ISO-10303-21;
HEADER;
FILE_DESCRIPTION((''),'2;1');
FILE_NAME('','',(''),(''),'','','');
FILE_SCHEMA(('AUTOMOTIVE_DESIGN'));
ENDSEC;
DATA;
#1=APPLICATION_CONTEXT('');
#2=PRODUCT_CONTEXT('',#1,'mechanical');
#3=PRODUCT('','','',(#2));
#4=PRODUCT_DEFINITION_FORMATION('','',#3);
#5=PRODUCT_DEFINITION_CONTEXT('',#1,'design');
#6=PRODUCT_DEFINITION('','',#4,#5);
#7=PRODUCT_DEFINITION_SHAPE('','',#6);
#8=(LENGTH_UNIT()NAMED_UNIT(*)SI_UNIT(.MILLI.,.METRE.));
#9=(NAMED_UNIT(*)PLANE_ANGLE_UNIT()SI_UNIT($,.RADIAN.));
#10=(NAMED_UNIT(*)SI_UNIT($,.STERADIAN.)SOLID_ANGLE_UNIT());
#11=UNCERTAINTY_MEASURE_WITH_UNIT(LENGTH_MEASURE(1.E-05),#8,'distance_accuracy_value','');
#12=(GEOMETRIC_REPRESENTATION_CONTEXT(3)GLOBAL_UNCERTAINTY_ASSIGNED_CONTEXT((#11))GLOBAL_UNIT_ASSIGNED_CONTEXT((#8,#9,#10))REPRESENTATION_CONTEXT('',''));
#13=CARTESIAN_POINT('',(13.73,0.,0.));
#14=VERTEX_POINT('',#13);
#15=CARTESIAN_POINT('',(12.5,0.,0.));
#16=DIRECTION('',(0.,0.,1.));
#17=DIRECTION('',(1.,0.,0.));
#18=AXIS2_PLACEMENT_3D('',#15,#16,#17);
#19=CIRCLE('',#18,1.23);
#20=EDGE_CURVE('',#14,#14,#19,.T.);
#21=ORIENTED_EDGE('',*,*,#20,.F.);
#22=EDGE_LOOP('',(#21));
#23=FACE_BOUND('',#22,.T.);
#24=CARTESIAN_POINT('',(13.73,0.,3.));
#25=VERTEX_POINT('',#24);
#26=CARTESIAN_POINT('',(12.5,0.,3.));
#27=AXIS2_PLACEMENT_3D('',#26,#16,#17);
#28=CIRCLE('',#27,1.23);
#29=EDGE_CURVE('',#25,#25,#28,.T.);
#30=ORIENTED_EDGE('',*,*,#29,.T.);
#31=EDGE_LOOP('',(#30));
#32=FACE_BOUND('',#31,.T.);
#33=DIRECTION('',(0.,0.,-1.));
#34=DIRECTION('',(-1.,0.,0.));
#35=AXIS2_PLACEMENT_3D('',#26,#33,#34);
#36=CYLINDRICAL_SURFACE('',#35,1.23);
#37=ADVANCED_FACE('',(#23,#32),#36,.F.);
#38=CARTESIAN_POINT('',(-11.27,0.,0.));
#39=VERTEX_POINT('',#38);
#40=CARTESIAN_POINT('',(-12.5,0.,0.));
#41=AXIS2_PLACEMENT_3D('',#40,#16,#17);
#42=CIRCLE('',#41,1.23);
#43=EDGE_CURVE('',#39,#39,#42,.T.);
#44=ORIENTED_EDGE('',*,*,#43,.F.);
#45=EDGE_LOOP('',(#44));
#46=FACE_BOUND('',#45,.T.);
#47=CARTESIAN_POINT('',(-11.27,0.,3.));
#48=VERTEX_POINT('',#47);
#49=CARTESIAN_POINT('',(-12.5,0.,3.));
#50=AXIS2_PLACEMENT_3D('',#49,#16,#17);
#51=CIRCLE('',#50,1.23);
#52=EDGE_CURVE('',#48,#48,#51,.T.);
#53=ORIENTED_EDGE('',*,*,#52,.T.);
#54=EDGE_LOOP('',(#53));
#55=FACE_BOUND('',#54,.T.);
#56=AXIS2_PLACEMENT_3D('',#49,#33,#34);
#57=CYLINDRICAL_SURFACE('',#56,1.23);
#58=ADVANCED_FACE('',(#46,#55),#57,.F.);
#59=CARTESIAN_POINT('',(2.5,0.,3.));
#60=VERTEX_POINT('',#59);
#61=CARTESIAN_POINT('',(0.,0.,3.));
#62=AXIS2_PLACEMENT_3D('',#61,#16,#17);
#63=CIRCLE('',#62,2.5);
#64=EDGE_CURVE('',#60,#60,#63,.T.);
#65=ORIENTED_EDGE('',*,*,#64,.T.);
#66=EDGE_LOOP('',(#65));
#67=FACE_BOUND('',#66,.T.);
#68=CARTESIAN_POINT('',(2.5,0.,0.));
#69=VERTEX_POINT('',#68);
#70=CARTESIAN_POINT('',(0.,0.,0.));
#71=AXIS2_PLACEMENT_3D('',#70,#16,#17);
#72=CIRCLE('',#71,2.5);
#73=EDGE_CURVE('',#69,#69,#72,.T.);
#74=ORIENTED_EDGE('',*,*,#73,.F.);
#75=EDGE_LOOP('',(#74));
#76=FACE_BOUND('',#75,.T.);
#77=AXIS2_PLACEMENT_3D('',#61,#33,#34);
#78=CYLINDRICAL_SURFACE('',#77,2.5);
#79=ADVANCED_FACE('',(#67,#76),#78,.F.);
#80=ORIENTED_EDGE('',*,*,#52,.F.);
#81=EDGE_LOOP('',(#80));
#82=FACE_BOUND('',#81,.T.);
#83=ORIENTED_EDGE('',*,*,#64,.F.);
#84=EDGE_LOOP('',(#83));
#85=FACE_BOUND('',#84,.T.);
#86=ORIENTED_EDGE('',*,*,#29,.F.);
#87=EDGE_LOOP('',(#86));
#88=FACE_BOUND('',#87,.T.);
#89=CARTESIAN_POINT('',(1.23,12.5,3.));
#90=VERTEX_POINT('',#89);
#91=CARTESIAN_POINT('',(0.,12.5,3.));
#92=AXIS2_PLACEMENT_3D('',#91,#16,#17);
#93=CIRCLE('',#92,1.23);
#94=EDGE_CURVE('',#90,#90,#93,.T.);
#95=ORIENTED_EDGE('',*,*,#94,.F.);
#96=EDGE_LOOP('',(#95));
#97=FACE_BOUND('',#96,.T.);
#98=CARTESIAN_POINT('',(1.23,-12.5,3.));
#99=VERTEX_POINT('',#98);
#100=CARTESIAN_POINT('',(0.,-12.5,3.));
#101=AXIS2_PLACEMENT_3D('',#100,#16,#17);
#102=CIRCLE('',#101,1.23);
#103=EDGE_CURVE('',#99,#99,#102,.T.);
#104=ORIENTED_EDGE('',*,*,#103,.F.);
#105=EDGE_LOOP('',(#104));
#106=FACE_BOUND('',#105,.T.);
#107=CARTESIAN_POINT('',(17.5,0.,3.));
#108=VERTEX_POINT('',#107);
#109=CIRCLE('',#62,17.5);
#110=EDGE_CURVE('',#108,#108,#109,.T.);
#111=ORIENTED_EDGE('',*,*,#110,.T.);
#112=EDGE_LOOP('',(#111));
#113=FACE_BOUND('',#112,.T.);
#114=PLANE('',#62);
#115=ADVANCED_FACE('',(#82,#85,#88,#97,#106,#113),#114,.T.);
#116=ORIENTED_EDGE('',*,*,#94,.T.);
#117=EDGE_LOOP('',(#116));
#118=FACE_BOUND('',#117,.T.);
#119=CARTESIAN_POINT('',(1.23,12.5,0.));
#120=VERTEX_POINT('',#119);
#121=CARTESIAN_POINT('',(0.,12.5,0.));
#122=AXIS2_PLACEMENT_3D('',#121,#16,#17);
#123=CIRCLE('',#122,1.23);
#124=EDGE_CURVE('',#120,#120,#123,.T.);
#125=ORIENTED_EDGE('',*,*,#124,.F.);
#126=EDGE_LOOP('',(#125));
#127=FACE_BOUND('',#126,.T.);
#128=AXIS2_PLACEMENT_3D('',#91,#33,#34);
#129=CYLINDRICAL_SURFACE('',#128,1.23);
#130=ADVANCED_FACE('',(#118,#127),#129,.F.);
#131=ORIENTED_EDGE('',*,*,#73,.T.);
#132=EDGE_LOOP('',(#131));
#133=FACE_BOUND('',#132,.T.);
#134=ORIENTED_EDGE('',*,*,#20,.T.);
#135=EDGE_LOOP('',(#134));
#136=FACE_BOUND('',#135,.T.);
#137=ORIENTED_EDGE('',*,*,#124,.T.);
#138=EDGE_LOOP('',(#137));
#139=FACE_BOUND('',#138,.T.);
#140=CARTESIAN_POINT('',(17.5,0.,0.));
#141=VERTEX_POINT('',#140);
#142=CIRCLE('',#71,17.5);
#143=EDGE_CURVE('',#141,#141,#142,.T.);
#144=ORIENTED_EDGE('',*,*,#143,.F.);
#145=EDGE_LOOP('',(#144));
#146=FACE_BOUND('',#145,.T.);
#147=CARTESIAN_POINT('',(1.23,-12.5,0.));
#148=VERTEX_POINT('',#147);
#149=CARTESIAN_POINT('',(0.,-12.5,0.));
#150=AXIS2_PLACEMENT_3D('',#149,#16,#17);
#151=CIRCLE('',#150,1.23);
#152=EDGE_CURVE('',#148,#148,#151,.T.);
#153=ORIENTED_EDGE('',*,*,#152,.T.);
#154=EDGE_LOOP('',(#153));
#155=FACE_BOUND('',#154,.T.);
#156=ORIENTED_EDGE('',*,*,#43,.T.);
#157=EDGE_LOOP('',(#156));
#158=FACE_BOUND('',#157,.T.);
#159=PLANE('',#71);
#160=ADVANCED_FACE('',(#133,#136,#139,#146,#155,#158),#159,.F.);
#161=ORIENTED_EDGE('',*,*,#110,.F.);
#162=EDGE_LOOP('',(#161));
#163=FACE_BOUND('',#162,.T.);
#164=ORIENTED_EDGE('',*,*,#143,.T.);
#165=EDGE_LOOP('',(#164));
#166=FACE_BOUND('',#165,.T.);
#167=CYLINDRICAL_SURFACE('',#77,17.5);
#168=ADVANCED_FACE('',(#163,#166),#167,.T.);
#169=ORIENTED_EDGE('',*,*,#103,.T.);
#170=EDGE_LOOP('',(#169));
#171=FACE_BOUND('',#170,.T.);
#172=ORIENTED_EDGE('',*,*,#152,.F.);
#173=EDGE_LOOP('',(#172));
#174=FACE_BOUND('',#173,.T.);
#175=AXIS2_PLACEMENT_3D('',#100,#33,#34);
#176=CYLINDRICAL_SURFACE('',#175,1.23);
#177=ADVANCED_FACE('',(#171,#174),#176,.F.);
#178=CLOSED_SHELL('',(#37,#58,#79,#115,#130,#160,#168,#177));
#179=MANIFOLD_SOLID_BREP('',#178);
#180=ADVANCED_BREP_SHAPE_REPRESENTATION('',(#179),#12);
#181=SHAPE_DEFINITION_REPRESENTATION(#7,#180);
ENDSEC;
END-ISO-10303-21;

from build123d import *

# Parameters (mm, degrees)
SKETCH2_R           = 17.5
SKETCH2_R_2         = 2.5
SKETCH2_R_3         = 1.23
BOSS_EXTRUDE1_DEPTH = 3


with BuildPart() as part:
    # Sketch2 → Boss-Extrude1 (new body)
    with BuildSketch(Plane.XY):
        Circle(SKETCH2_R)
        Circle(SKETCH2_R_2, mode=Mode.SUBTRACT)
        with Locations((0, 12.5)):
            Circle(SKETCH2_R_3, mode=Mode.SUBTRACT)
        with Locations((12.5, 0)):
            Circle(SKETCH2_R_3, mode=Mode.SUBTRACT)
        with Locations((0, -12.5)):
            Circle(SKETCH2_R_3, mode=Mode.SUBTRACT)
        with Locations((-12.5, 0)):
            Circle(SKETCH2_R_3, mode=Mode.SUBTRACT)
    extrude(amount=BOSS_EXTRUDE1_DEPTH)


solid = part.part
